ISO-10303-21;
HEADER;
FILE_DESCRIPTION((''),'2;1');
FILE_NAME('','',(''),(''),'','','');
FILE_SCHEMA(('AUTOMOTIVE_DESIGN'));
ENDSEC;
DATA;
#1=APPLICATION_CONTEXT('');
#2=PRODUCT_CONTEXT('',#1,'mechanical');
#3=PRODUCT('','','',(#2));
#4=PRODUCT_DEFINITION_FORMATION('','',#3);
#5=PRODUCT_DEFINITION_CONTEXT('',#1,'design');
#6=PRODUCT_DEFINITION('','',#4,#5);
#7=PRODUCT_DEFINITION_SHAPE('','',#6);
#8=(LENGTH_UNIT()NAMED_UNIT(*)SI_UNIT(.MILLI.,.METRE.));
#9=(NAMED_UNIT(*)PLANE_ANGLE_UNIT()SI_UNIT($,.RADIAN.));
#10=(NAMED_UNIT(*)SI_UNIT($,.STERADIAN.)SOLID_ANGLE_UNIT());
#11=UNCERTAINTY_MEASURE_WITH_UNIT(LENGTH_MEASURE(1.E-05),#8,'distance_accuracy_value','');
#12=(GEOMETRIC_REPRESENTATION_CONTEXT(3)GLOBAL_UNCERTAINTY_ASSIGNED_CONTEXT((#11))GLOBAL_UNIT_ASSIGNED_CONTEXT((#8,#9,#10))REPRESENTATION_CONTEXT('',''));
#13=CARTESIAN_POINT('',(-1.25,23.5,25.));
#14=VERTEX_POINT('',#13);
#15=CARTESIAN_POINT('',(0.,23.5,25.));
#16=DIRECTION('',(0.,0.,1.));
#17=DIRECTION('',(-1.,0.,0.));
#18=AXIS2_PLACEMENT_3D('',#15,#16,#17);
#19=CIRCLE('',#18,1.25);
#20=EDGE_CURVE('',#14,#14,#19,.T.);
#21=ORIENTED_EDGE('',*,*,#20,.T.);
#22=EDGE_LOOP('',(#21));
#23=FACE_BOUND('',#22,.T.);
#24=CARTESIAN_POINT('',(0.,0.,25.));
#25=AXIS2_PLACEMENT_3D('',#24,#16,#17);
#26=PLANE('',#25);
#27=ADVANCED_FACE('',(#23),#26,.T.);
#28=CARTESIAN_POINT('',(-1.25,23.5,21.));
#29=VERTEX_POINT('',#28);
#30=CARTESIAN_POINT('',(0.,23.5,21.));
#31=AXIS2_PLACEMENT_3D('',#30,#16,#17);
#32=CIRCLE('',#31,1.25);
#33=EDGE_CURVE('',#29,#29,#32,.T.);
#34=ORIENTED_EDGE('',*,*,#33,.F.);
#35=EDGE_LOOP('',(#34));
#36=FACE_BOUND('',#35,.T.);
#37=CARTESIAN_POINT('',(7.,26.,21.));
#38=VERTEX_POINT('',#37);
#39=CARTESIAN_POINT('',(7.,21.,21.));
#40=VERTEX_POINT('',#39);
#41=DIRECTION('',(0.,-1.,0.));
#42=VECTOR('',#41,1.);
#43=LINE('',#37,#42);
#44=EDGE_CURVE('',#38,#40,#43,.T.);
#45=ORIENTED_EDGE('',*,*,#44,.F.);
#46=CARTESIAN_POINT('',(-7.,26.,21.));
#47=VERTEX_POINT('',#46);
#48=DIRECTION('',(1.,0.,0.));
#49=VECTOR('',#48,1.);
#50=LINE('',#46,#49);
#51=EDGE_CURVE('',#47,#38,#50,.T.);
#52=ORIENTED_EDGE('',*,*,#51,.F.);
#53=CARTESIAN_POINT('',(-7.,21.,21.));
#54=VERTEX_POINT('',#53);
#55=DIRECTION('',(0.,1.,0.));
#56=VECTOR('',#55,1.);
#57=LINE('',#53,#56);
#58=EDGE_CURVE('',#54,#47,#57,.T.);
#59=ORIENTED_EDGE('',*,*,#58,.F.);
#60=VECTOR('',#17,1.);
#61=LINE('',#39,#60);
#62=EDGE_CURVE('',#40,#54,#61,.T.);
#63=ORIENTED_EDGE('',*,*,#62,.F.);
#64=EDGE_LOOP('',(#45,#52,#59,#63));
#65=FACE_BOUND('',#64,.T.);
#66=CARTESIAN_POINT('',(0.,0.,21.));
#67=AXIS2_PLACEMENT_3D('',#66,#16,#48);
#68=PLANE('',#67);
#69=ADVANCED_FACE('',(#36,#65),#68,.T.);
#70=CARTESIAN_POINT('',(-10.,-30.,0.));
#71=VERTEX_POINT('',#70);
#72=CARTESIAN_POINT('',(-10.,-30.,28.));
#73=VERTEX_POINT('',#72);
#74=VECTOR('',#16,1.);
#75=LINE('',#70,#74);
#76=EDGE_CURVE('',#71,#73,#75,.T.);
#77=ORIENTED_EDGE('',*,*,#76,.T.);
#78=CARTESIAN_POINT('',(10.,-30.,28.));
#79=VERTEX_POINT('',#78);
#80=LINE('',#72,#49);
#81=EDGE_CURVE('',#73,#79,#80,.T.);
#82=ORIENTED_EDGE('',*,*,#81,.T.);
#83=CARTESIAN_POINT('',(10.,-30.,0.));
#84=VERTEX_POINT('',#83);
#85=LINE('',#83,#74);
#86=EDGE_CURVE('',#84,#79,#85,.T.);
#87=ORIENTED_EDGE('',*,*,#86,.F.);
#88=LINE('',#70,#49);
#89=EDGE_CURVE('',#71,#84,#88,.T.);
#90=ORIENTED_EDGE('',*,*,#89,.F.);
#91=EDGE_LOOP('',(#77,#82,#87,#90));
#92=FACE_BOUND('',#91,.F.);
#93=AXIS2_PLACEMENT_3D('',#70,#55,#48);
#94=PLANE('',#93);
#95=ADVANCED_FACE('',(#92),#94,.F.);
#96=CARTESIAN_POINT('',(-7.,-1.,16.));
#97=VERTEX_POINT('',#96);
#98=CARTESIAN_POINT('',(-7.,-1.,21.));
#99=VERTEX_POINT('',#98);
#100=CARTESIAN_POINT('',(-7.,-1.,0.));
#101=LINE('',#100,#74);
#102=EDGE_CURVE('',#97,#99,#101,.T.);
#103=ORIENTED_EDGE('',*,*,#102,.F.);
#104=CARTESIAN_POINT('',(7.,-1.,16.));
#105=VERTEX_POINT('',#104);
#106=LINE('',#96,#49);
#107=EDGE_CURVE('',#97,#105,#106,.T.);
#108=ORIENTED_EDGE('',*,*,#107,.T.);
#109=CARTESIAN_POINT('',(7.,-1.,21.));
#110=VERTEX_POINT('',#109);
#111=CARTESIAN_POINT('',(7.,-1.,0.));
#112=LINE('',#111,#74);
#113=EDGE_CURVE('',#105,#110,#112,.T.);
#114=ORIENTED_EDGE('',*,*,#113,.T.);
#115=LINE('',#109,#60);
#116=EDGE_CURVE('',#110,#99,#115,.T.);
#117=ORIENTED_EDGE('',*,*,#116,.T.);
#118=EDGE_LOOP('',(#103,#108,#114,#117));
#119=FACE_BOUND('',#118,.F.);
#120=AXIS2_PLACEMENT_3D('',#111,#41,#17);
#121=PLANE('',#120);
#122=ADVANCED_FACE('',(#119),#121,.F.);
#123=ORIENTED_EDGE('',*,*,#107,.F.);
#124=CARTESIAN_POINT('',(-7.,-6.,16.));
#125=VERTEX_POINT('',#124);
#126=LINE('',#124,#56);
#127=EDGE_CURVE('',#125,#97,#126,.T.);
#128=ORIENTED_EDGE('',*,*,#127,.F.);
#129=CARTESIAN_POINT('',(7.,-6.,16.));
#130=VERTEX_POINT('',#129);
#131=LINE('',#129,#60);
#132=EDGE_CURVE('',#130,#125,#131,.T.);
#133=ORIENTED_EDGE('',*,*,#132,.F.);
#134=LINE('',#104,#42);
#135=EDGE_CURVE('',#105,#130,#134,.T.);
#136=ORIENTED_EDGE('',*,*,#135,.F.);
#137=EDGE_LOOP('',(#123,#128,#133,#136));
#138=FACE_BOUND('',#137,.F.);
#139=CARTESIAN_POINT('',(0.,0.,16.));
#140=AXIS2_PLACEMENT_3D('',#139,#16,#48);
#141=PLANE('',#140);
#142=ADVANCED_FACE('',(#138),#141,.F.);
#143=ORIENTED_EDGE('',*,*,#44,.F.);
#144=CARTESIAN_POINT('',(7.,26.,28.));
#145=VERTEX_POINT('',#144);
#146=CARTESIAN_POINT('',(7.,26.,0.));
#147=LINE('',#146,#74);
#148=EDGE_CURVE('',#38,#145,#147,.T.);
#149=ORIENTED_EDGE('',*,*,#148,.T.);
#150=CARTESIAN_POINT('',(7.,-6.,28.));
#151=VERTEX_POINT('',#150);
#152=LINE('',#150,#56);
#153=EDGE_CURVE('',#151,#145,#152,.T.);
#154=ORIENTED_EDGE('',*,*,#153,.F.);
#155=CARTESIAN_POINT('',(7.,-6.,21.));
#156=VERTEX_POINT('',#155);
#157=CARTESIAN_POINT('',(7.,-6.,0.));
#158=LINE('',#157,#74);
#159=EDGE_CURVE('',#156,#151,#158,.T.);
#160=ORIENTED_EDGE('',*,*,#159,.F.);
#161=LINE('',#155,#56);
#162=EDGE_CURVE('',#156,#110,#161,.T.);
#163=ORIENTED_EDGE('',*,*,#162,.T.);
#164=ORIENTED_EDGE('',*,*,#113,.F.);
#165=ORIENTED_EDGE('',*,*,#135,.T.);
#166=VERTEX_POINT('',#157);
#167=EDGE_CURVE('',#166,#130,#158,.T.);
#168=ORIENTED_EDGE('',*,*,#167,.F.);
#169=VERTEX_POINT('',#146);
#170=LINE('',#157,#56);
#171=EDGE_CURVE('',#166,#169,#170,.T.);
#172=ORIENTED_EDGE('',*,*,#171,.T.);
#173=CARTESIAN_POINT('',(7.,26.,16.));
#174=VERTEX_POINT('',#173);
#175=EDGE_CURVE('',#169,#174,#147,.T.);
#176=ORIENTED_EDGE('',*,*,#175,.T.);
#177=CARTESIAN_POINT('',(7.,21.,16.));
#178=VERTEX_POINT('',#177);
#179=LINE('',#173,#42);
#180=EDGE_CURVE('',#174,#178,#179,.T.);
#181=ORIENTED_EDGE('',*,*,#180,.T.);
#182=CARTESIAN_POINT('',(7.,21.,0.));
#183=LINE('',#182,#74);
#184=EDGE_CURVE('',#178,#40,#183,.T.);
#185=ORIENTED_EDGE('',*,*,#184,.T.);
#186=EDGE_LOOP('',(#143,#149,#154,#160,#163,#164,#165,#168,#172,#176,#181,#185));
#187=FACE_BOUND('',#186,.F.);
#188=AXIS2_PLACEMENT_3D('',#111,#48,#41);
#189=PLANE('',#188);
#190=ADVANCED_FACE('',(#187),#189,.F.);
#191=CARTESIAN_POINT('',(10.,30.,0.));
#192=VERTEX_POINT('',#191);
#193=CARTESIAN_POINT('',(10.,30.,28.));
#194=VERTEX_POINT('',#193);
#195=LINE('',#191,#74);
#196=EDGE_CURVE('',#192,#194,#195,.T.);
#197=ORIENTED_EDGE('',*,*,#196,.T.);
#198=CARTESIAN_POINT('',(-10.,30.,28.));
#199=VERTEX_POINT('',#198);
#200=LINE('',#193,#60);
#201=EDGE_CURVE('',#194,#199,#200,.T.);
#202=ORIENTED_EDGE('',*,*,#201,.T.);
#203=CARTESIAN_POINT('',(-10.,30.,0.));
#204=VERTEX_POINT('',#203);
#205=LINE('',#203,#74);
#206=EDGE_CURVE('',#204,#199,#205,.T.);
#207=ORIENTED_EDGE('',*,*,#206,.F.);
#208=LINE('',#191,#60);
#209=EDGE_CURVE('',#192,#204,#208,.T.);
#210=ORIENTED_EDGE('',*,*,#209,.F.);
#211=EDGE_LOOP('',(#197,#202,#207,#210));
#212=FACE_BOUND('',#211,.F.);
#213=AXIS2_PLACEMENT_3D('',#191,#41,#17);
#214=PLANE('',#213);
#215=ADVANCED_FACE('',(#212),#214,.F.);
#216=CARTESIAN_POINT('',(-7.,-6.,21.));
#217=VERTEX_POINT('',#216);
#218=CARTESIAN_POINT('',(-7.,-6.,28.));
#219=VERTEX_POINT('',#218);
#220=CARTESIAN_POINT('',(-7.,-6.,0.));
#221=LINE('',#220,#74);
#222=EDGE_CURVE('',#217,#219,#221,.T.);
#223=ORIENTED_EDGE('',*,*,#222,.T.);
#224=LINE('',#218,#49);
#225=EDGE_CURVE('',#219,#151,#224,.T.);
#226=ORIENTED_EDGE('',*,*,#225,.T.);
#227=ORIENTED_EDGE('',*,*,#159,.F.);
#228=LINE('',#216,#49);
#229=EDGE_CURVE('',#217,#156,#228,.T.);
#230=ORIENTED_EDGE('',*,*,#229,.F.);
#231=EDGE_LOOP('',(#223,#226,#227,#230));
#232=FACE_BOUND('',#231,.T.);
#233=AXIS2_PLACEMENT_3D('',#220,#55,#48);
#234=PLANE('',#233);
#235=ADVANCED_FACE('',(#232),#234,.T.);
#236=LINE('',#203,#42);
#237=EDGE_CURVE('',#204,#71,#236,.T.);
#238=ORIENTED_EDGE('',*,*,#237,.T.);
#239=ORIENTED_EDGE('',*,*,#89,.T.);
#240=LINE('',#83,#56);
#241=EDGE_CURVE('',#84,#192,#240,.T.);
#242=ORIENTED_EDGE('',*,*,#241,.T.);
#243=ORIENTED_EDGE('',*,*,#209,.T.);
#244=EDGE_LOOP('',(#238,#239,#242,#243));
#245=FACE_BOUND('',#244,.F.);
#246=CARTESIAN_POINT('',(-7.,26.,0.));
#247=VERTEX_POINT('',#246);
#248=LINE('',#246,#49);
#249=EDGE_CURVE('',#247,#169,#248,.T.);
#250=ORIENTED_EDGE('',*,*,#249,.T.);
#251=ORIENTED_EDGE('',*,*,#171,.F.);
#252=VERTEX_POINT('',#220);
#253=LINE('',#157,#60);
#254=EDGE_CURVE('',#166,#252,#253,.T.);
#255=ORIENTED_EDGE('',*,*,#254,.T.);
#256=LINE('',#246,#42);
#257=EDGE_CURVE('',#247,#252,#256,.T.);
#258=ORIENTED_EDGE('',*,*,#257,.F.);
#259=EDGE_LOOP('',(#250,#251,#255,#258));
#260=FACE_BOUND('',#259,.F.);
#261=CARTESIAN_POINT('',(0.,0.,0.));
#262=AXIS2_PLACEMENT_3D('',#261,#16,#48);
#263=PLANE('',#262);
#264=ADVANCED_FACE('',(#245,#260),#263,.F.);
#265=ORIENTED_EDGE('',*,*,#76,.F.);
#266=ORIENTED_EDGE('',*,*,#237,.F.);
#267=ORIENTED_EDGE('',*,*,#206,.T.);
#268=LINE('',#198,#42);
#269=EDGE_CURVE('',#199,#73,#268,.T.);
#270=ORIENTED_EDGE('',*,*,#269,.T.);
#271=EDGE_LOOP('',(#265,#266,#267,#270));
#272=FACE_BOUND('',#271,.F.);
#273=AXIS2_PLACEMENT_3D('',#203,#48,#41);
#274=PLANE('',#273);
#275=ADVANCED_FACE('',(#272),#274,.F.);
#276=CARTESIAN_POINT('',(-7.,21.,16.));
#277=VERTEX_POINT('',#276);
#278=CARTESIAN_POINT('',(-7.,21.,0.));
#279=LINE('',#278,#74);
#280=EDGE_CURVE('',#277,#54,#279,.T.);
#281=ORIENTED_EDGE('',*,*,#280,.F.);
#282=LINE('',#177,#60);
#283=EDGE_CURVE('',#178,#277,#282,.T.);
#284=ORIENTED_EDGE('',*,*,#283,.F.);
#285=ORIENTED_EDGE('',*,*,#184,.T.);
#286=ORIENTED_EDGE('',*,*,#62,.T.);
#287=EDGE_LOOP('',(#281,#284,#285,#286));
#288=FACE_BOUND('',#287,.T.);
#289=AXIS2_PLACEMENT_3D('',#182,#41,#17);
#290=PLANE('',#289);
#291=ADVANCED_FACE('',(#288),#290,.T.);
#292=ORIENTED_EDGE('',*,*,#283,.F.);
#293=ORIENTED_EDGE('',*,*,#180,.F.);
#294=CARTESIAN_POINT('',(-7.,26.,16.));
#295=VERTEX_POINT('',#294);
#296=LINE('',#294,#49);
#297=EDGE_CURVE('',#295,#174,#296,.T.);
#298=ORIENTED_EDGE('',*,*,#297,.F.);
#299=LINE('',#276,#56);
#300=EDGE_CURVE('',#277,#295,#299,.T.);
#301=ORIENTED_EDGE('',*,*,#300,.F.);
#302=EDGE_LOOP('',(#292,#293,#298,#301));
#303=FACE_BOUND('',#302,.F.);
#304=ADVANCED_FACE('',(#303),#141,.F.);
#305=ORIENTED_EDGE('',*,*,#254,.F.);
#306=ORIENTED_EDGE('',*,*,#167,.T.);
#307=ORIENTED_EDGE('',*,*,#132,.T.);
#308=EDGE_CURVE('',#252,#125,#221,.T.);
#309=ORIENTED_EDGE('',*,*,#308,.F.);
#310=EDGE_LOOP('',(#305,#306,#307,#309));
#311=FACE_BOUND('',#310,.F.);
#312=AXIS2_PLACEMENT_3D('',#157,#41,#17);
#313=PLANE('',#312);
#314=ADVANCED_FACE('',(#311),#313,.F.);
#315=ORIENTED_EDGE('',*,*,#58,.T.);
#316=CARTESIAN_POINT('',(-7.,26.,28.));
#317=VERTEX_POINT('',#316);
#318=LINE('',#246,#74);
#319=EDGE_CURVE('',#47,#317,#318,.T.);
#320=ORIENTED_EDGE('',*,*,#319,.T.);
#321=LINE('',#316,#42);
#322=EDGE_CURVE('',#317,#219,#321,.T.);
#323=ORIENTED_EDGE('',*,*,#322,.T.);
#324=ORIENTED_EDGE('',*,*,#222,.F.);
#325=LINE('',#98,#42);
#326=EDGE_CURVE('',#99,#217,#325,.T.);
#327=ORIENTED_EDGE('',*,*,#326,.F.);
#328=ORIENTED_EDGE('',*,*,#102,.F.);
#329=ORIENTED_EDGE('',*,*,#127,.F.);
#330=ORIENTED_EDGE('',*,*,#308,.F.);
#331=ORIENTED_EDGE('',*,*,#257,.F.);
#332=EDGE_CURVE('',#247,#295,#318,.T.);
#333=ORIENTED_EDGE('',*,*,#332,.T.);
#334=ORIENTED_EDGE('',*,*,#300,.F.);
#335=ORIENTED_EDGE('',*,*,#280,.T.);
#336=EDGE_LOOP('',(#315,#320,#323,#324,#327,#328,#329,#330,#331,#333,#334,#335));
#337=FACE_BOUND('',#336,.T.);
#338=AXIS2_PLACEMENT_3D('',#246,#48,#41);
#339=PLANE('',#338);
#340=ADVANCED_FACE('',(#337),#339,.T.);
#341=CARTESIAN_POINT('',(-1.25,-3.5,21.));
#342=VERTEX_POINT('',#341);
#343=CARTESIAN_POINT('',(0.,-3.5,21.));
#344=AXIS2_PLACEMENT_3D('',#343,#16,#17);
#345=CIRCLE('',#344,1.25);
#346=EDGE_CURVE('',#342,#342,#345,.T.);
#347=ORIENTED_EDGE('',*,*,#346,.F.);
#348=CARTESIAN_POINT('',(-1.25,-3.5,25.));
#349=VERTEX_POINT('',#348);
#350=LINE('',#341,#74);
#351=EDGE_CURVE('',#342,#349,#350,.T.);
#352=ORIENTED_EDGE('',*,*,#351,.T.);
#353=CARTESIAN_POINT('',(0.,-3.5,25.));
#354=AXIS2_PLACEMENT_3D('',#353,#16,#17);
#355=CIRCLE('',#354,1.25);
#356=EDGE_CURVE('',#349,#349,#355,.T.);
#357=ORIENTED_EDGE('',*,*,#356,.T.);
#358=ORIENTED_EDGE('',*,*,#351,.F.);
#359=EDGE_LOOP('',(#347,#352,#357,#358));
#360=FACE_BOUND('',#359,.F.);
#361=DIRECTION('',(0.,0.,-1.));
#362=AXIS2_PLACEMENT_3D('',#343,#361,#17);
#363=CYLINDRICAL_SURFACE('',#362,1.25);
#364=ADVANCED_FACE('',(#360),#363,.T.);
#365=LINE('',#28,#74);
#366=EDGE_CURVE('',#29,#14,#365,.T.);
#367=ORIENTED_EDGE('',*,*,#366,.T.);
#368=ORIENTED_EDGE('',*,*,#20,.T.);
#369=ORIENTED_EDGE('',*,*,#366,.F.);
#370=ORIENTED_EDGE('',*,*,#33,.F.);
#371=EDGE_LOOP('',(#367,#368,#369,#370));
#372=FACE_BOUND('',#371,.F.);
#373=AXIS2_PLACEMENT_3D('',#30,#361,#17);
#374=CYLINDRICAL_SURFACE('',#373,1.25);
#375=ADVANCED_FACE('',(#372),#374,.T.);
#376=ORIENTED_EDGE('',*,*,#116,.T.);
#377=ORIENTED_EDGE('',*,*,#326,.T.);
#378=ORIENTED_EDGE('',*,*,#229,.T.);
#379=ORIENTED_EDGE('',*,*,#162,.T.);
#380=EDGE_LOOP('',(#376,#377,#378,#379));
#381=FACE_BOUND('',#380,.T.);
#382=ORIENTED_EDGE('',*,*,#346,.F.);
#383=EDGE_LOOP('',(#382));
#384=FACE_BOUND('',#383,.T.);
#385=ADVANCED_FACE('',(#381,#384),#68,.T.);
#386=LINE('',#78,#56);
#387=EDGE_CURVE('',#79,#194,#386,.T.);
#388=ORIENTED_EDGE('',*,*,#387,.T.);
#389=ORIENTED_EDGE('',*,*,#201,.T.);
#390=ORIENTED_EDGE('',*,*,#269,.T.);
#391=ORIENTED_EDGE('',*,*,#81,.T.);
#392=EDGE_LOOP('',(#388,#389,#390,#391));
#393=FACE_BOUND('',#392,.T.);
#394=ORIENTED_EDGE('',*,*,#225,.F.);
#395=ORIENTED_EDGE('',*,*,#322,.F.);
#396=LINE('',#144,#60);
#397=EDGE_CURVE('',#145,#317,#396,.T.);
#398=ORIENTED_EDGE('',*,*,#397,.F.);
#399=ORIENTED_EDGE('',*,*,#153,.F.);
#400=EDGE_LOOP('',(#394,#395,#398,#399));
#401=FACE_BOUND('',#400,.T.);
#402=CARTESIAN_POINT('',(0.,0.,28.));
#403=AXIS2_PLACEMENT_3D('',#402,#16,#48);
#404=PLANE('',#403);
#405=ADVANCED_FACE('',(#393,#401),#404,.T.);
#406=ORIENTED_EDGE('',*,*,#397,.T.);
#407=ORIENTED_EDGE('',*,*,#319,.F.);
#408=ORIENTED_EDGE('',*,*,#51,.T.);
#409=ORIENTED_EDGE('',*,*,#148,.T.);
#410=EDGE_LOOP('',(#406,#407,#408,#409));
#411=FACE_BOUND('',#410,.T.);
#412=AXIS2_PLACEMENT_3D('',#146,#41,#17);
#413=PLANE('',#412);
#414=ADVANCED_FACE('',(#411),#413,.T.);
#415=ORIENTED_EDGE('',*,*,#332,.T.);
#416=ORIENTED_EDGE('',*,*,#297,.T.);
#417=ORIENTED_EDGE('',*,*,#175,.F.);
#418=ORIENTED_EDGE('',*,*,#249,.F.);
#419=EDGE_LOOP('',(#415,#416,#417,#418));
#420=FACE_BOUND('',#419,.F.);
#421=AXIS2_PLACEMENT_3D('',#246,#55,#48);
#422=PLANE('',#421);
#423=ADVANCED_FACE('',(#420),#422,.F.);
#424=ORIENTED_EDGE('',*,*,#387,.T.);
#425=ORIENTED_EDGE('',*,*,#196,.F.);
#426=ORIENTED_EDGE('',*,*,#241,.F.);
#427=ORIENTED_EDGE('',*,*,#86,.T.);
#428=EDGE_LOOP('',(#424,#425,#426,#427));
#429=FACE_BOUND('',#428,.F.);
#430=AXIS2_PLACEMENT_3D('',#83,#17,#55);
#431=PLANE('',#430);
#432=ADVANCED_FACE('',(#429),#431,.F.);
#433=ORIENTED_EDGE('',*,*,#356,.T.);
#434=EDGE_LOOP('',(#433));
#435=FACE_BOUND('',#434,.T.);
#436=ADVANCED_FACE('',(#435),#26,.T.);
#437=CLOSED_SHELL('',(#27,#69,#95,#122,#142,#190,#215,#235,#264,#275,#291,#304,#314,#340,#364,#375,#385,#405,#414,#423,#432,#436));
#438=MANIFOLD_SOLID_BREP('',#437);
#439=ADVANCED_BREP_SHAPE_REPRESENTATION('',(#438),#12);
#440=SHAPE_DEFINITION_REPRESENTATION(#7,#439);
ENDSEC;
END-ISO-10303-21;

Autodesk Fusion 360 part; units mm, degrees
sketch "Sketch1" plane through (0, 0, 0) normal (0, 0, 1) x (1, 0, 0) in component "Elbow"
  line L0 (10, 30) -> (-10, 30)
  line L1 (-10, 30) -> (-10, -30)
  line L2 (-10, -30) -> (10, -30)
  line L3 (10, -30) -> (10, 30)
  line L4 (10, 30) -> (-10, -30) construction
  line L5 (-10, 30) -> (10, -30) construction
  line L6 (7, 26) -> (-7, 26)
  line L7 (-7, 26) -> (-7, -6)
  line L8 (-7, -6) -> (7, -6)
  line L9 (7, -6) -> (7, 26)
  line L10 (7, 26) -> (-7, -6) construction
  line L11 (-7, 26) -> (7, -6) construction
  point P0 (0, 10)
extrude "Extrude1" add sketch "Sketch1" along normal blind 28 in component "Elbow"
sketch "Sketch2" plane through (0, 0, 0) normal (0, 0, 1) x (1, 0, 0) in component "Elbow"
  line L0 (-7, -6) -> (7, -6)
  line L1 (7, -6) -> (7, -1)
  line L2 (7, -1) -> (-7, -1)
  line L3 (-7, -1) -> (-7, -6)
  line L4 (-7, 26) -> (7, 26)
  line L5 (7, 26) -> (7, 21)
  line L6 (7, 21) -> (-7, 21)
  line L7 (-7, 21) -> (-7, 26)
extrude "Extrude2" add sketch "Sketch2" along normal blind 21 in component "Elbow"
sketch "Sketch3" plane through (0, 0, 0) normal (0, 0, 1) x (1, 0, 0) in component "Elbow"
  line L0 (-7, -1) -> (7, -1)
  line L1 (7, -1) -> (7, -6)
  line L2 (7, -6) -> (-7, -6)
  line L3 (-7, -6) -> (-7, -1)
  line L4 (-7, 26) -> (7, 26)
  line L5 (7, 26) -> (7, 21)
  line L6 (7, 21) -> (-7, 21)
  line L7 (-7, 21) -> (-7, 26)
extrude "Extrude3" cut sketch "Sketch3" along normal blind 16 in component "Elbow"
sketch "Sketch4" plane through (0, 0, 21) normal (0, 0, 1) x (-1, 0, 0) in component "Elbow"
  line L0 (7, 1) -> (7, 6)
  line L1 (7, 6) -> (-7, 6)
  line L2 (-7, 6) -> (-7, 1)
  line L3 (-7, 1) -> (7, 1)
  circle A0 centre (0, 3.5) radius 1.25
  dimension "d7" = 2.5
extrude "Extrude4" add sketch "Sketch4" along normal blind 4 contours A0 in component "Elbow"
sketch "Sketch5" plane through (0, 0, 21) normal (0, 0, 1) x (-1, 0, 0) in component "Elbow"
  line L0 (7, -21) -> (-7, -21)
  line L1 (-7, -21) -> (-7, -26)
  line L2 (-7, -26) -> (7, -26)
  line L3 (7, -26) -> (7, -21)
  circle A0 centre (0, -23.5) radius 1.25
  dimension "d10" = 2.5
extrude "Extrude5" add sketch "Sketch5" along normal blind 4 contours A0 in component "Elbow"
component "Elbow" placed x (1, 0, 0) y (0, 1, 0) z (0, 0, 1) at (0, 0, 0)
